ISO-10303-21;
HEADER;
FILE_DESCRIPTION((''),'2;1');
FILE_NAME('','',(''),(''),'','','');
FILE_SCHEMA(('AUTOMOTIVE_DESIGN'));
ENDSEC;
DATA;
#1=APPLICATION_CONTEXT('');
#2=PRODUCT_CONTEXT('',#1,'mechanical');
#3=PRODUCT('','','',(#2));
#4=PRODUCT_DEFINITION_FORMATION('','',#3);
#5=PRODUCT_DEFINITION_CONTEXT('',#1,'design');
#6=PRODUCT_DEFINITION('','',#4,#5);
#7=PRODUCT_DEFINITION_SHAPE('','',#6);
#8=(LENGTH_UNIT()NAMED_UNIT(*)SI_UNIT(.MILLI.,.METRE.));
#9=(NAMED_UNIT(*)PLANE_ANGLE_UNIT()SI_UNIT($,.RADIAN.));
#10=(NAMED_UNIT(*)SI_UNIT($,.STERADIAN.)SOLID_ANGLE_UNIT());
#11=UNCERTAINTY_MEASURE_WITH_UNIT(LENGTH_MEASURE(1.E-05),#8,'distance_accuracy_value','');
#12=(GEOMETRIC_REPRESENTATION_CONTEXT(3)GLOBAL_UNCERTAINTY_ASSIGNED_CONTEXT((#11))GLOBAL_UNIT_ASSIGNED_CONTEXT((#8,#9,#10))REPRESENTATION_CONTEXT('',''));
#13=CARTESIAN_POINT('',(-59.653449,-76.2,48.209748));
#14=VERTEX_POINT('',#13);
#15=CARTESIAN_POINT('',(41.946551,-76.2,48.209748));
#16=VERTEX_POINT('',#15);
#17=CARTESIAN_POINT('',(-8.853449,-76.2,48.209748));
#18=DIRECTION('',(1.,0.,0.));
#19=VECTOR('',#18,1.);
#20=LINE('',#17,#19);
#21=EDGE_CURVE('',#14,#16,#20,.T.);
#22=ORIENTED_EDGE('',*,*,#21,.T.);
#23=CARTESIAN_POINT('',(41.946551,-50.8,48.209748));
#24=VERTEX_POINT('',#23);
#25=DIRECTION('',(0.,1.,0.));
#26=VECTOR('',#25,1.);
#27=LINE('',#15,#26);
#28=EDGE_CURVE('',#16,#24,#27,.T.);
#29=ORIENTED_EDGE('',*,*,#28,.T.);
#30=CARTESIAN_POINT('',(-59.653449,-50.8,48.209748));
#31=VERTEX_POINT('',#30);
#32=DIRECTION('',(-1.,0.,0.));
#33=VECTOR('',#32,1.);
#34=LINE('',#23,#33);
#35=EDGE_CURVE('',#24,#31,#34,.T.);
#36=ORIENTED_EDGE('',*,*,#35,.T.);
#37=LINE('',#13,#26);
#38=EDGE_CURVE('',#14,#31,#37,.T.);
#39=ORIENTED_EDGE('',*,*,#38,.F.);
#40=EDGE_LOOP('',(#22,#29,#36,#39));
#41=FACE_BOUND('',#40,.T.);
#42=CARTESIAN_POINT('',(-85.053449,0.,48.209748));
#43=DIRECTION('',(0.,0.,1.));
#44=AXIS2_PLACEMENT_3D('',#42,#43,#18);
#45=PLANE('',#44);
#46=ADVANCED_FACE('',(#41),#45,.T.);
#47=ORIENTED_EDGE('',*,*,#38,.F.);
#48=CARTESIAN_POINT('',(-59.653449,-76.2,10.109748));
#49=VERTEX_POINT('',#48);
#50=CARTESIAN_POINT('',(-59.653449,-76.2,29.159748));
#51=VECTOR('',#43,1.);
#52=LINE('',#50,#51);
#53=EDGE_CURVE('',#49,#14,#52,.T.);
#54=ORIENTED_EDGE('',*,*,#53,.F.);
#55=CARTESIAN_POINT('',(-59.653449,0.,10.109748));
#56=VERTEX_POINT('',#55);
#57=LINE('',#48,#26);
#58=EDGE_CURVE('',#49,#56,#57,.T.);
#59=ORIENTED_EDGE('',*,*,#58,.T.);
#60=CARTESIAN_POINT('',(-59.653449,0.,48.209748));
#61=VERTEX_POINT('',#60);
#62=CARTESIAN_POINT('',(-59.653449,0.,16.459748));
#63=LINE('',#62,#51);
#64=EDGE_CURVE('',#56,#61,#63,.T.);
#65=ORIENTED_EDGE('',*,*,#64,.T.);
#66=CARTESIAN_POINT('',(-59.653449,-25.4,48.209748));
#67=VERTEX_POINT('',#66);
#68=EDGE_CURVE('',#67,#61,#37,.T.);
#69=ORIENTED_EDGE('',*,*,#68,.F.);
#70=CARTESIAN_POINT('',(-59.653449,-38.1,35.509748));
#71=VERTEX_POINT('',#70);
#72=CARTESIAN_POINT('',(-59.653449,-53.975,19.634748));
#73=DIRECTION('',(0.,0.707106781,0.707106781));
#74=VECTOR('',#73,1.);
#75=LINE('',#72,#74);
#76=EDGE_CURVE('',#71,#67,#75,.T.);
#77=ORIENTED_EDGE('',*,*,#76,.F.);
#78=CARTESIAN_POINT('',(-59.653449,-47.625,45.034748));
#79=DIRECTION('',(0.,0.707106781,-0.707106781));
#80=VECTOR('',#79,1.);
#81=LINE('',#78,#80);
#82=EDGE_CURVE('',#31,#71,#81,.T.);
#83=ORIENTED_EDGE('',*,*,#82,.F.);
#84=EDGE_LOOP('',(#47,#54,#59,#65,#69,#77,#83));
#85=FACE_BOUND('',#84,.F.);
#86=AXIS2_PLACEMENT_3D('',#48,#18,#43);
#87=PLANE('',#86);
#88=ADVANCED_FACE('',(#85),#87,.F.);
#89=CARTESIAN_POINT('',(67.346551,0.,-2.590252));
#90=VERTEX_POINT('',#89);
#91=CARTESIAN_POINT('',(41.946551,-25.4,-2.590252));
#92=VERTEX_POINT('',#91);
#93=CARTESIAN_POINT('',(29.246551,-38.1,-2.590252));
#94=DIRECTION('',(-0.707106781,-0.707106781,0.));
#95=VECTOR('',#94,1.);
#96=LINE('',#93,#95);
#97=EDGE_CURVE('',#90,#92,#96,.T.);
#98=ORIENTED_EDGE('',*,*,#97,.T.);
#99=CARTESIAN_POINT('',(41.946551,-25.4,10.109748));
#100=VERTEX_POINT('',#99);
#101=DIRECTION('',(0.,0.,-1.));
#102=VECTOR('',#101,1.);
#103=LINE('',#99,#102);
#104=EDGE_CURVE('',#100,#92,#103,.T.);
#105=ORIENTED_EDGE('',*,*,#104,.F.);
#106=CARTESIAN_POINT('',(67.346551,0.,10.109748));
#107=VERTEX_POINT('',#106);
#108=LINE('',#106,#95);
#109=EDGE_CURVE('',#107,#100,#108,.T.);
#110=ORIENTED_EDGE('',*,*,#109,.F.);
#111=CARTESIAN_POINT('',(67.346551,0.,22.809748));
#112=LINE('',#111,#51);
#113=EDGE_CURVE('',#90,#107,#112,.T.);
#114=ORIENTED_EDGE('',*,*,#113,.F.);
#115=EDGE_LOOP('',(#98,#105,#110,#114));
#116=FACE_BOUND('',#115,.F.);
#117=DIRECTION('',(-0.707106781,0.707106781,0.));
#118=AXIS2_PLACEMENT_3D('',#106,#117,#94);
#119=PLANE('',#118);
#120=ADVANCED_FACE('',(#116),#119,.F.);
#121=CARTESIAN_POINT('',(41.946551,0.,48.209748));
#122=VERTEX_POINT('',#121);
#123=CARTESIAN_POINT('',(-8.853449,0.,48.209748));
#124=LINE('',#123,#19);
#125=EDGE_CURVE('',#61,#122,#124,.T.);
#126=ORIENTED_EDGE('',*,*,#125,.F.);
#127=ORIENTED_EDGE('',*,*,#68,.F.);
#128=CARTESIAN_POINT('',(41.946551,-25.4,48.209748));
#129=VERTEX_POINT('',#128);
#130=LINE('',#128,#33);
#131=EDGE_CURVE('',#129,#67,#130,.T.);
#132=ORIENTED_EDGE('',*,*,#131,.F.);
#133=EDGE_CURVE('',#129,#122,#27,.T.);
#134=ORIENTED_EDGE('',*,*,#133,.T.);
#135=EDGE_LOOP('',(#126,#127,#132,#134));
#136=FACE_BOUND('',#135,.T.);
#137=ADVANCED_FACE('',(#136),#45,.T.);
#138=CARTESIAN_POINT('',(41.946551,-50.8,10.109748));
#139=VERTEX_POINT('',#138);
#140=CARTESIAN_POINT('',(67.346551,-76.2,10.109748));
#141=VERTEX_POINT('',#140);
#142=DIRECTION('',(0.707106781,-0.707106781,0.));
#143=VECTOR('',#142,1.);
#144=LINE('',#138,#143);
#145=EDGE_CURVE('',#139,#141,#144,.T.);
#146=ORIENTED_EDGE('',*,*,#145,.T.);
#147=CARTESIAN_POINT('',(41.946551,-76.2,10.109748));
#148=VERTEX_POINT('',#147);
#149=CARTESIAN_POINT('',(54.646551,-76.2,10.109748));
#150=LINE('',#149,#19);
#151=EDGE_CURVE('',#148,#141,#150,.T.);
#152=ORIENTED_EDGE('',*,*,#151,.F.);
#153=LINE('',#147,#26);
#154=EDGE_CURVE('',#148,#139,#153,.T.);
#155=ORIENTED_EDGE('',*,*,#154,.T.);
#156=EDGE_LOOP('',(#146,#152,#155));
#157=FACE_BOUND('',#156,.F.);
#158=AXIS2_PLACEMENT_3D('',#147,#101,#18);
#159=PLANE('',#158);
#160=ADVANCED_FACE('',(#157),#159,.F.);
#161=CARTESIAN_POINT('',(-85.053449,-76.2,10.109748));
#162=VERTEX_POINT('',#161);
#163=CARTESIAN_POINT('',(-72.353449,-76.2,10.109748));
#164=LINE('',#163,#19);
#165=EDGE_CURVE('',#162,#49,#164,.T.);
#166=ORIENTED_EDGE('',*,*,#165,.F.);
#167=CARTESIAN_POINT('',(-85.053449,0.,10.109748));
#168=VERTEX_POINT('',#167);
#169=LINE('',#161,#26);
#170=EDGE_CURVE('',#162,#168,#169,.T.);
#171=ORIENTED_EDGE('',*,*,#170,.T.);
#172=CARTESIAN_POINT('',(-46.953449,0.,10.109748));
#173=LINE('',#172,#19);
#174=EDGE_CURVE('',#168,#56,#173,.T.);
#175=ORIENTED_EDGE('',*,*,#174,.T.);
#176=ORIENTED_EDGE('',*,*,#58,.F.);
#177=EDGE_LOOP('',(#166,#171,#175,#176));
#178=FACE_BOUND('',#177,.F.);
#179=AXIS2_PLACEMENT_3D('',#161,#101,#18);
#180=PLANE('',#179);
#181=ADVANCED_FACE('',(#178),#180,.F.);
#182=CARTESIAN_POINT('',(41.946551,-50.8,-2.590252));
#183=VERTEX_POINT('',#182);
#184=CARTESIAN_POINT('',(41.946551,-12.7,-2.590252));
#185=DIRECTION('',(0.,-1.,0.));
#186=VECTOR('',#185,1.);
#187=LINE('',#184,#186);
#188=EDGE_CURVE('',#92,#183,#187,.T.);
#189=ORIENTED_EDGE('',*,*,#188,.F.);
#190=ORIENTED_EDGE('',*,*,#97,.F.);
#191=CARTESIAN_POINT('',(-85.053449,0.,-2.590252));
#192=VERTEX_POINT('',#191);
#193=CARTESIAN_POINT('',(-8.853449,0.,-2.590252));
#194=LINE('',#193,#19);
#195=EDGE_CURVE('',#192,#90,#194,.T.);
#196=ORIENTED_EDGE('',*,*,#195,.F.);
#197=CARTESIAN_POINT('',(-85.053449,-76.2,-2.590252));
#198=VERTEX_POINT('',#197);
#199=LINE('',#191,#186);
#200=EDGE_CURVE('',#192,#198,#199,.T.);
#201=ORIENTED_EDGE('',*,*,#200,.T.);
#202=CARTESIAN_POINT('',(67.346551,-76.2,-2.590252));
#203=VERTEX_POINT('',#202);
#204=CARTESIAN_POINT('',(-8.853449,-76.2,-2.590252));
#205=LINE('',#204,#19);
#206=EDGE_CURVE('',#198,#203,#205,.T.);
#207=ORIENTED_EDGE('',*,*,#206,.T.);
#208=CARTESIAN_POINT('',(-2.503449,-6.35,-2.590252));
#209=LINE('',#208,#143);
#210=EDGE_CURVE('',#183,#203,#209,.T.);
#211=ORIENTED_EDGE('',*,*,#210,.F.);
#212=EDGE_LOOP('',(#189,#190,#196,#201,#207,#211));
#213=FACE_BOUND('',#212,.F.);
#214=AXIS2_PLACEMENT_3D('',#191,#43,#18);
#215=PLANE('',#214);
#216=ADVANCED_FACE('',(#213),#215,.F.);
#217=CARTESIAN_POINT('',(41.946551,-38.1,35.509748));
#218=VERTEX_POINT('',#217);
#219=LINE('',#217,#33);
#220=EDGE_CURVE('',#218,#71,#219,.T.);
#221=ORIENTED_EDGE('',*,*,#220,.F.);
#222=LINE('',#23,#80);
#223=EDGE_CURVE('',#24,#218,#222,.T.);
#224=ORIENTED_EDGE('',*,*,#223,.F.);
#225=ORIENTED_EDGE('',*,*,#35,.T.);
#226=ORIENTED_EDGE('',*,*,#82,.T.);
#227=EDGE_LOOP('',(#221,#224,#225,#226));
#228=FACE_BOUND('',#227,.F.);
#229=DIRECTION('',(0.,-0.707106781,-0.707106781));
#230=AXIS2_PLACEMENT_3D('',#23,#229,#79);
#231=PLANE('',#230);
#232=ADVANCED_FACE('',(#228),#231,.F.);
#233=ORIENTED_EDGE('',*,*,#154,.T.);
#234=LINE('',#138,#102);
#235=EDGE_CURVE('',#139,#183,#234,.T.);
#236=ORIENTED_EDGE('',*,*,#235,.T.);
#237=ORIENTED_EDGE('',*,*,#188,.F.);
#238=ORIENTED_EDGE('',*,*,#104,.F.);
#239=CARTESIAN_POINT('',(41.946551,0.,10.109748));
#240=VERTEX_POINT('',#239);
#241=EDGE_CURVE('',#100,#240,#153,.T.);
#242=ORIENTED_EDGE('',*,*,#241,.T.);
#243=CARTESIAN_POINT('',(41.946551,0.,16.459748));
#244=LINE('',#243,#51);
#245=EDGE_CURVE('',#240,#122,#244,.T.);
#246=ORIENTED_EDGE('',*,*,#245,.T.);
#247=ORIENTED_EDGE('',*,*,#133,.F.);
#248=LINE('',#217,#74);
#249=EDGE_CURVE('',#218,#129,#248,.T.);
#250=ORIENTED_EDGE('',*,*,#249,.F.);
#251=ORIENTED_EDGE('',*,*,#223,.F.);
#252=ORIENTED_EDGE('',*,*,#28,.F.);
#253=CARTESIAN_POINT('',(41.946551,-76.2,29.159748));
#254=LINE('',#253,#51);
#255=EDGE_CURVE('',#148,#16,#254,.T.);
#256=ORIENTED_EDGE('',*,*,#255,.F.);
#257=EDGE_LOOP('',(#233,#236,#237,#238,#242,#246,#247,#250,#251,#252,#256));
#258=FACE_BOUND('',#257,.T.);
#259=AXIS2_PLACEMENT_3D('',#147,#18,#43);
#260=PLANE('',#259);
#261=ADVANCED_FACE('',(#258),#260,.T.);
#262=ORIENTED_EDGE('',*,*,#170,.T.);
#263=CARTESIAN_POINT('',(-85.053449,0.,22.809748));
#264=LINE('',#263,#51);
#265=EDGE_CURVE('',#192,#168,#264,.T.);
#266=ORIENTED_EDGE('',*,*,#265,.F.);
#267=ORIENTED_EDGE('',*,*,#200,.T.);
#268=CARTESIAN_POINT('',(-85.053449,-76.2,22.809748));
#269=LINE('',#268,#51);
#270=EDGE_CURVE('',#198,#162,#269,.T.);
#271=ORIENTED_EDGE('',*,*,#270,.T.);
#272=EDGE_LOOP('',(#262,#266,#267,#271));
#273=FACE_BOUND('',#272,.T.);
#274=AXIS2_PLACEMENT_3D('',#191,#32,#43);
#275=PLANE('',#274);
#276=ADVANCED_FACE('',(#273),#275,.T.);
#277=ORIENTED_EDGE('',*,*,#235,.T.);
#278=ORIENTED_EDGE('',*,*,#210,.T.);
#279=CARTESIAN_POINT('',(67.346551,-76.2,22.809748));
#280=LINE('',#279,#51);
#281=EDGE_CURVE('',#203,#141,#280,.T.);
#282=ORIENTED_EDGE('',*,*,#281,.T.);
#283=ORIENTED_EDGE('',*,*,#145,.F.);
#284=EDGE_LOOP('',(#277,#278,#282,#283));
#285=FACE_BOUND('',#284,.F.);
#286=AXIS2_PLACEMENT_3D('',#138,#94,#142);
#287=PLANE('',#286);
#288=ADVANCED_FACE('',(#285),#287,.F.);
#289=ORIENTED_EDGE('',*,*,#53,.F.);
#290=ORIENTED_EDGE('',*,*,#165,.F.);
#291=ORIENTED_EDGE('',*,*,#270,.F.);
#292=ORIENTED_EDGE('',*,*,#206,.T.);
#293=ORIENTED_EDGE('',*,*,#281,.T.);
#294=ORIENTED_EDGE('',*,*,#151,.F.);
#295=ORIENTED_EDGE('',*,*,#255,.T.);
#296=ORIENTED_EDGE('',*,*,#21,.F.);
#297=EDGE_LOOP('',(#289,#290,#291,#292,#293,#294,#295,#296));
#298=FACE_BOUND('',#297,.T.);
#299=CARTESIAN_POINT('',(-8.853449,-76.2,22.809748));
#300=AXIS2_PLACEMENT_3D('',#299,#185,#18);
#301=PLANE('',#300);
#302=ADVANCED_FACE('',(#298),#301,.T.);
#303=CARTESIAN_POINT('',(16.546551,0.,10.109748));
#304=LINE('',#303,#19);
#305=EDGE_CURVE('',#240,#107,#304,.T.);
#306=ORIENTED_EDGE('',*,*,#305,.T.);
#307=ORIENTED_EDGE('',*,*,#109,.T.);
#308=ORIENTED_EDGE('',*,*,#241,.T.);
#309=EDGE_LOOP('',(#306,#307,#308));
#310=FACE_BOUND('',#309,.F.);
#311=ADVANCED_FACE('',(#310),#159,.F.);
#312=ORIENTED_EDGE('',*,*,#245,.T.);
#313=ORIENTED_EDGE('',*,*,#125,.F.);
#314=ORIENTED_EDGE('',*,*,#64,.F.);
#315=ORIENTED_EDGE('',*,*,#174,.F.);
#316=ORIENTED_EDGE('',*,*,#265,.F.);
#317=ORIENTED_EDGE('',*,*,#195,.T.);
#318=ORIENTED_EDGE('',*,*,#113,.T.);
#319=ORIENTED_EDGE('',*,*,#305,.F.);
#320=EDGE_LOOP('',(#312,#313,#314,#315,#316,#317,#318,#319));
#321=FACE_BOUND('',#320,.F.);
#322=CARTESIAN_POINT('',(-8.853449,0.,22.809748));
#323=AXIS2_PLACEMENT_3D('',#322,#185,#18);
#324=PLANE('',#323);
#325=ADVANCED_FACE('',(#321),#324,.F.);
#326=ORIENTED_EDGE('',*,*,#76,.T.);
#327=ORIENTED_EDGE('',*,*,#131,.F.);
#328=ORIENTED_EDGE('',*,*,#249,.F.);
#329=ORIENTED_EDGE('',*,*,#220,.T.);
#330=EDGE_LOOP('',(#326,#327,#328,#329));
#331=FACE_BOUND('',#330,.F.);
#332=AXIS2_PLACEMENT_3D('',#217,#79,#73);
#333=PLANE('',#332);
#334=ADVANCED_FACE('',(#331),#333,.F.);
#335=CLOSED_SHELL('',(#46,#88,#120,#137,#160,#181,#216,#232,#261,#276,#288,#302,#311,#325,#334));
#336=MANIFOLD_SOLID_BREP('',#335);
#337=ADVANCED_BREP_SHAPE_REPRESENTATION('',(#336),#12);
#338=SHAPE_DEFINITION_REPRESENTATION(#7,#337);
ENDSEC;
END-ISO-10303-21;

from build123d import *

# Parameters (mm, degrees)
F1_W      = 152.4
F1_H      = 50.8
F2_DEPTH  = 76.2
F3_W      = 25.4
F3_H      = 38.1
F4_DEPTH  = 76.201
F5_W      = 25.4
F5_H      = 38.1
F6_DEPTH  = 76.201
F9_DEPTH  = 12.701
F11_DEPTH = 127.001


with BuildPart() as f2:
    # F1 (on face) → F2 (new body)
    with BuildSketch(Plane.XZ):
        with Locations((-8.853449, 22.809748)):
            Rectangle(F1_W, F1_H)
    extrude(amount=F2_DEPTH)

    # F3 (on face) → F4 (cut, through all)
    with BuildSketch(Plane.XZ.offset(76.2)):
        with Locations((-72.353449, 29.159748)):
            Rectangle(F3_W, F3_H)
    extrude(amount=-F4_DEPTH, mode=Mode.SUBTRACT)

    # F5 (on face) → F6 (cut, through all)
    with BuildSketch(Plane.XZ.offset(76.2)):
        with Locations((54.646551, 29.159748)):
            Rectangle(F5_W, F5_H)
    extrude(amount=-F6_DEPTH, mode=Mode.SUBTRACT)

    # F8 (on face) → F9 (cut, through all)
    with BuildSketch(Plane.XY.offset(10.109748)):
        Polygon((41.946551, -50.8), (67.346551, -76.2), (67.346551, 0), (41.946551, -25.4), align=None)
        Polygon((67.346551, 0), (67.346551, -76.2), (78.186899, -95.031939), (78.186899, -19.507643), align=None)
    extrude(amount=-F9_DEPTH, mode=Mode.SUBTRACT)

    # F10 (on face) → F11 (cut, through all)
    with BuildSketch(Plane.YZ.offset(41.946551)):
        Polygon((-25.4, 48.209748), (-50.8, 48.209748), (-38.1, 35.509748), align=None)
    extrude(amount=-F11_DEPTH, mode=Mode.SUBTRACT)


solid = f2.part
